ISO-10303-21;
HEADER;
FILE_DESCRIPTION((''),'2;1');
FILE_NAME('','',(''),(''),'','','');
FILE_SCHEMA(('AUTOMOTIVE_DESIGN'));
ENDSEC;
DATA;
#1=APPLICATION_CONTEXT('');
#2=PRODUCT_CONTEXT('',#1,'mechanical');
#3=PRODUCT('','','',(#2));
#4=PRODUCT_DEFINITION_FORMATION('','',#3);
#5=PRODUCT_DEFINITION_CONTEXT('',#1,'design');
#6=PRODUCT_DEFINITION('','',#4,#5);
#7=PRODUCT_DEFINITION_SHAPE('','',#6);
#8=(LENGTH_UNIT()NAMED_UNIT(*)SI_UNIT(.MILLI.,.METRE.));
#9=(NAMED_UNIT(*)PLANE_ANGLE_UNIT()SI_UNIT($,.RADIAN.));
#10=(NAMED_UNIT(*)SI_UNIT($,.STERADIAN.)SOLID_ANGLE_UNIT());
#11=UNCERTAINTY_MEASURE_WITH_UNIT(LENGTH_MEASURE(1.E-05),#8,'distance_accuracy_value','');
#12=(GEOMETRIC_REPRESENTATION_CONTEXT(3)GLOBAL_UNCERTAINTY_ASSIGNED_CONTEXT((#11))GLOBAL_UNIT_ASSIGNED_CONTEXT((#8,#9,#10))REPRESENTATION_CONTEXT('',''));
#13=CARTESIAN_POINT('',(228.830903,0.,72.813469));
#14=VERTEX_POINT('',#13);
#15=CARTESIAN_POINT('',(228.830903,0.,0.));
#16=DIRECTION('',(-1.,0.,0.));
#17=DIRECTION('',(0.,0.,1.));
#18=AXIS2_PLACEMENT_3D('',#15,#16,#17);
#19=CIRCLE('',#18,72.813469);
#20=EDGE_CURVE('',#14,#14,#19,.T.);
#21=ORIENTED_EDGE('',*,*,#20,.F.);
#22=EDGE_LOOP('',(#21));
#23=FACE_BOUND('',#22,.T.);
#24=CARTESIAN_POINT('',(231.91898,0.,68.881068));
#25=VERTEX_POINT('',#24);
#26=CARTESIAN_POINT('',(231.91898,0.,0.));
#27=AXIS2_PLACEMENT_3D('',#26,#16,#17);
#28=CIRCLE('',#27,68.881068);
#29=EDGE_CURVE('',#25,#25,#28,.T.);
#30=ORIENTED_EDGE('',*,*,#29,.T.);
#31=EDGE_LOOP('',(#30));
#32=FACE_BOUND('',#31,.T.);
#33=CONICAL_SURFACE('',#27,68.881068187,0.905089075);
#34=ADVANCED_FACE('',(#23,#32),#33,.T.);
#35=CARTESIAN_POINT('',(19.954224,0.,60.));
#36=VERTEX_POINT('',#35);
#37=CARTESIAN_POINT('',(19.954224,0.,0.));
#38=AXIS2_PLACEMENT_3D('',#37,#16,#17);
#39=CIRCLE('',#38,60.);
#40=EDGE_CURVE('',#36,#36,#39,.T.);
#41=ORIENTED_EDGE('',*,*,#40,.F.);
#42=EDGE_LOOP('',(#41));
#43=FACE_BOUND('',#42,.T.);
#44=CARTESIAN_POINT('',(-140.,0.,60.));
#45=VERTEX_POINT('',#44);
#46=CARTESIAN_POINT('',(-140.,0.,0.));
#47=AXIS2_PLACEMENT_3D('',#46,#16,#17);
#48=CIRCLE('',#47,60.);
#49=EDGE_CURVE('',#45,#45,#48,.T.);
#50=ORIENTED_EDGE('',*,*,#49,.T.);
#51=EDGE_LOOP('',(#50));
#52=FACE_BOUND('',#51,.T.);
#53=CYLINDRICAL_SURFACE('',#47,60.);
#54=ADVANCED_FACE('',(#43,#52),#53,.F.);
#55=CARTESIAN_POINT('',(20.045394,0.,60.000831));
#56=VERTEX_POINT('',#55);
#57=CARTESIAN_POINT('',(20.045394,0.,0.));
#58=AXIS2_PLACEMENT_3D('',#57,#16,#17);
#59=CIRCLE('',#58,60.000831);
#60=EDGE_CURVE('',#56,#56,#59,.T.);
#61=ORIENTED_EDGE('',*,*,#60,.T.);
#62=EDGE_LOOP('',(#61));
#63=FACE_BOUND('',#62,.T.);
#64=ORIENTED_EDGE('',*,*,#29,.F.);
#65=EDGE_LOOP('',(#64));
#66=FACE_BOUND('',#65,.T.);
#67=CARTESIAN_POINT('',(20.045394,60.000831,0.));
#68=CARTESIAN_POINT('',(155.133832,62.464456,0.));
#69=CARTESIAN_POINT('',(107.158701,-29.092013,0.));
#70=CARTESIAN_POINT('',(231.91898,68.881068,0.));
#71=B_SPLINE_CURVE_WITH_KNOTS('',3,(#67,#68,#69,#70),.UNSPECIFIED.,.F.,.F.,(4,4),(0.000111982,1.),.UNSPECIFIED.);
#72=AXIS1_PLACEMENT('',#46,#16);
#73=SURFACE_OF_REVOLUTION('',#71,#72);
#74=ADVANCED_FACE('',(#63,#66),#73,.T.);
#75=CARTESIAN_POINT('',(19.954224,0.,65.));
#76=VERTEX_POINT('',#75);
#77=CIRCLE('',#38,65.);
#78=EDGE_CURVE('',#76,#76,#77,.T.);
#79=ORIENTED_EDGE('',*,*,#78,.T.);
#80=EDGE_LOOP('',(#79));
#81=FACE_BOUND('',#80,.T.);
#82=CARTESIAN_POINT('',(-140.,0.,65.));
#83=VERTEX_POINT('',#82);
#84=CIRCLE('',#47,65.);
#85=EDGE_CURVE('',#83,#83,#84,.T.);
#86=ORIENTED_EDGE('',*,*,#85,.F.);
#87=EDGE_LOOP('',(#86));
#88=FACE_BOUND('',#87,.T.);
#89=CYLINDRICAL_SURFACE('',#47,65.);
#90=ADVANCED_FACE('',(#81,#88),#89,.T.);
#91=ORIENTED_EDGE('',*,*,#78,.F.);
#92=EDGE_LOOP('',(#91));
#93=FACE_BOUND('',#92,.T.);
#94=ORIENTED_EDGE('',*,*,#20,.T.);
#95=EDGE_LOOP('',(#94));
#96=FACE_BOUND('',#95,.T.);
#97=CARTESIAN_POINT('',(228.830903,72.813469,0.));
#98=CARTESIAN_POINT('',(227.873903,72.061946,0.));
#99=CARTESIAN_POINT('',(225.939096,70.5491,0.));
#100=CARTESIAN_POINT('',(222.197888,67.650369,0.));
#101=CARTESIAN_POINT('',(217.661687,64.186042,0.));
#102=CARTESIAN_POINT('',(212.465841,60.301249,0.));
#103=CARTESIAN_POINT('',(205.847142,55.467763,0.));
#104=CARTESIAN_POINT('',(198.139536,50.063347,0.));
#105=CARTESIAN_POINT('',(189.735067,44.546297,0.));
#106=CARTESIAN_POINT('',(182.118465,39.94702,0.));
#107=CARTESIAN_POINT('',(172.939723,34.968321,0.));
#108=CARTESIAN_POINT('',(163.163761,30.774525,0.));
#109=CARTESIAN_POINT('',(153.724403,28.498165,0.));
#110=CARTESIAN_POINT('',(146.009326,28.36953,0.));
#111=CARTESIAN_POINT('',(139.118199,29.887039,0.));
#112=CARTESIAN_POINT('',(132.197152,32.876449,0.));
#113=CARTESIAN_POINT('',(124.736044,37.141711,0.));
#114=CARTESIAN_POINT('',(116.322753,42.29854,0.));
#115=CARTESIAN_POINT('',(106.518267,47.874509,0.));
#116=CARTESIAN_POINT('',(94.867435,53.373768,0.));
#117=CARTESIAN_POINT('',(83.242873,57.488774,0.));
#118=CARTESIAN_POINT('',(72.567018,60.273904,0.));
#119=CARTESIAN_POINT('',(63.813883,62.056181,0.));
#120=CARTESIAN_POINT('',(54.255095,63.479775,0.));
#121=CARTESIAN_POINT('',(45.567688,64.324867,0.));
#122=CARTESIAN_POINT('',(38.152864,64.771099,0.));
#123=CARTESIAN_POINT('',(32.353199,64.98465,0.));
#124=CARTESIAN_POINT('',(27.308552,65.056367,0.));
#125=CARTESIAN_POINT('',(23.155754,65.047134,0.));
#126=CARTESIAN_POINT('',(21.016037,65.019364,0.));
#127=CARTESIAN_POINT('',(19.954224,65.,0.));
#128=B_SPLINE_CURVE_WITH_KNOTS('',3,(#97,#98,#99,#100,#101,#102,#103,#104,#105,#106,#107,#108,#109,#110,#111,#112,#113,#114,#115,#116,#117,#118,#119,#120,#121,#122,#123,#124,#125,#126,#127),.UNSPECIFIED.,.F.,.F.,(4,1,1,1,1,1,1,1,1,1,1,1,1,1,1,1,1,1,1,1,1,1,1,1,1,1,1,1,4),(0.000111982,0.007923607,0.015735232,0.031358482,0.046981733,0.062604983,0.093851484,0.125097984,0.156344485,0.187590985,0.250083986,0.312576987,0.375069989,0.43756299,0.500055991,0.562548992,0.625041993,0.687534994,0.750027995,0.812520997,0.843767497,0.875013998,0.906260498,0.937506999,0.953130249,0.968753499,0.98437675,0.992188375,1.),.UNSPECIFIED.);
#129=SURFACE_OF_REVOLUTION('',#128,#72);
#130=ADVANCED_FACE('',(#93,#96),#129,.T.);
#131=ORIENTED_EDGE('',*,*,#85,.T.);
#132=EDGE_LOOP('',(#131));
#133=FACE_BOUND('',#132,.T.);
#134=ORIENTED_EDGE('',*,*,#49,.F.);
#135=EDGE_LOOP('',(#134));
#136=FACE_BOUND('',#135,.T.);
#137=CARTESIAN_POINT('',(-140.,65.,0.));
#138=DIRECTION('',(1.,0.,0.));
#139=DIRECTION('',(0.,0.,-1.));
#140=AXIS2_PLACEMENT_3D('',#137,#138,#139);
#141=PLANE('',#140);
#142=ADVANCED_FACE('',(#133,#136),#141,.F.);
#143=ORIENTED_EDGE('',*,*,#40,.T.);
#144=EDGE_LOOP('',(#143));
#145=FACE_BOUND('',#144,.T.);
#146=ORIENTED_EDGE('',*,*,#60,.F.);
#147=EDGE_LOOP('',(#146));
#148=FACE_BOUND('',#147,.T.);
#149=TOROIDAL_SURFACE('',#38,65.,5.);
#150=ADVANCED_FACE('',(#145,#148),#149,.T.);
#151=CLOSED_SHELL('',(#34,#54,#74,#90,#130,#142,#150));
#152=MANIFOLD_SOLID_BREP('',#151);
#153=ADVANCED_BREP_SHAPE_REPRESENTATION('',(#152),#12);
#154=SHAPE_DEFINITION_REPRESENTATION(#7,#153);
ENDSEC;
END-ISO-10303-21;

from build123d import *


with BuildPart() as part:
    # Sketch2 → Revolve1 (revolve)
    with BuildSketch(Plane.XY, mode=Mode.PRIVATE) as revolve1_sk:
        with BuildLine():
            Line((-140, 65), (19.954223861, 65))
            add(Edge.make_bspline(
                [(19.954223861, 65), (21.016036949, 65.019364415), (23.155754142, 65.047133931), (27.308551501, 65.056367434), (32.353198871, 64.984650174), (38.152864496, 64.771098732), (45.567688357, 64.32486699), (54.255095035, 63.479775498), (63.813883484, 62.056181028), (72.567017756, 60.273903927), (83.242872896, 57.488773814), (94.867435167, 53.373767517), (106.518267243, 47.87450931), (116.322752818, 42.298539812), (124.736044428, 37.141710874), (132.197152427, 32.876448525), (139.118198638, 29.887038599), (146.009326462, 28.369530473), (153.724403185, 28.498164942), (163.163761497, 30.774524673), (172.93972339, 34.968320575), (182.118464779, 39.947020221), (189.735067248, 44.546297097), (198.139536323, 50.063346613), (205.847141634, 55.467762959), (212.465840749, 60.301248812), (217.661687494, 64.186041861), (222.197887983, 67.650369213), (225.939095655, 70.549100478), (227.873902956, 72.061946017), (228.830902799, 72.813469047)],
                knots=[0.000111982, 0.000111982, 0.000111982, 0.000111982, 0.007923607, 0.015735232, 0.031358482, 0.046981733, 0.062604983, 0.093851484, 0.125097984, 0.156344485, 0.187590985, 0.250083986, 0.312576987, 0.375069989, 0.43756299, 0.500055991, 0.562548992, 0.625041993, 0.687534994, 0.750027995, 0.812520997, 0.843767497, 0.875013998, 0.906260498, 0.937506999, 0.953130249, 0.968753499, 0.98437675, 0.992188375, 1, 1, 1, 1], degree=3))
            Line((228.830902799, 72.813469047), (231.918980433, 68.881068187))
            add(Edge.make_bspline(
                [(20.045394315, 60.000831274), (155.133832213, 62.464455683), (107.158700851, -29.09201306), (231.918980433, 68.881068187)],
                knots=[0.000111982, 0.000111982, 0.000111982, 0.000111982, 1, 1, 1, 1], degree=3))
            ThreePointArc((20.045394315, 60.000831274), (19.999810983, 60.000207823), (19.954223861, 60))
            Line((19.954223861, 60), (-140, 60))
            Line((-140, 60), (-140, 65))
        make_face()
    revolve(revolve1_sk.sketch.rotate(Axis((-140, 0, 0), (1, 0, 0)), 90), axis=Axis((-140, 0, 0), (1, 0, 0)))


solid = part.part
